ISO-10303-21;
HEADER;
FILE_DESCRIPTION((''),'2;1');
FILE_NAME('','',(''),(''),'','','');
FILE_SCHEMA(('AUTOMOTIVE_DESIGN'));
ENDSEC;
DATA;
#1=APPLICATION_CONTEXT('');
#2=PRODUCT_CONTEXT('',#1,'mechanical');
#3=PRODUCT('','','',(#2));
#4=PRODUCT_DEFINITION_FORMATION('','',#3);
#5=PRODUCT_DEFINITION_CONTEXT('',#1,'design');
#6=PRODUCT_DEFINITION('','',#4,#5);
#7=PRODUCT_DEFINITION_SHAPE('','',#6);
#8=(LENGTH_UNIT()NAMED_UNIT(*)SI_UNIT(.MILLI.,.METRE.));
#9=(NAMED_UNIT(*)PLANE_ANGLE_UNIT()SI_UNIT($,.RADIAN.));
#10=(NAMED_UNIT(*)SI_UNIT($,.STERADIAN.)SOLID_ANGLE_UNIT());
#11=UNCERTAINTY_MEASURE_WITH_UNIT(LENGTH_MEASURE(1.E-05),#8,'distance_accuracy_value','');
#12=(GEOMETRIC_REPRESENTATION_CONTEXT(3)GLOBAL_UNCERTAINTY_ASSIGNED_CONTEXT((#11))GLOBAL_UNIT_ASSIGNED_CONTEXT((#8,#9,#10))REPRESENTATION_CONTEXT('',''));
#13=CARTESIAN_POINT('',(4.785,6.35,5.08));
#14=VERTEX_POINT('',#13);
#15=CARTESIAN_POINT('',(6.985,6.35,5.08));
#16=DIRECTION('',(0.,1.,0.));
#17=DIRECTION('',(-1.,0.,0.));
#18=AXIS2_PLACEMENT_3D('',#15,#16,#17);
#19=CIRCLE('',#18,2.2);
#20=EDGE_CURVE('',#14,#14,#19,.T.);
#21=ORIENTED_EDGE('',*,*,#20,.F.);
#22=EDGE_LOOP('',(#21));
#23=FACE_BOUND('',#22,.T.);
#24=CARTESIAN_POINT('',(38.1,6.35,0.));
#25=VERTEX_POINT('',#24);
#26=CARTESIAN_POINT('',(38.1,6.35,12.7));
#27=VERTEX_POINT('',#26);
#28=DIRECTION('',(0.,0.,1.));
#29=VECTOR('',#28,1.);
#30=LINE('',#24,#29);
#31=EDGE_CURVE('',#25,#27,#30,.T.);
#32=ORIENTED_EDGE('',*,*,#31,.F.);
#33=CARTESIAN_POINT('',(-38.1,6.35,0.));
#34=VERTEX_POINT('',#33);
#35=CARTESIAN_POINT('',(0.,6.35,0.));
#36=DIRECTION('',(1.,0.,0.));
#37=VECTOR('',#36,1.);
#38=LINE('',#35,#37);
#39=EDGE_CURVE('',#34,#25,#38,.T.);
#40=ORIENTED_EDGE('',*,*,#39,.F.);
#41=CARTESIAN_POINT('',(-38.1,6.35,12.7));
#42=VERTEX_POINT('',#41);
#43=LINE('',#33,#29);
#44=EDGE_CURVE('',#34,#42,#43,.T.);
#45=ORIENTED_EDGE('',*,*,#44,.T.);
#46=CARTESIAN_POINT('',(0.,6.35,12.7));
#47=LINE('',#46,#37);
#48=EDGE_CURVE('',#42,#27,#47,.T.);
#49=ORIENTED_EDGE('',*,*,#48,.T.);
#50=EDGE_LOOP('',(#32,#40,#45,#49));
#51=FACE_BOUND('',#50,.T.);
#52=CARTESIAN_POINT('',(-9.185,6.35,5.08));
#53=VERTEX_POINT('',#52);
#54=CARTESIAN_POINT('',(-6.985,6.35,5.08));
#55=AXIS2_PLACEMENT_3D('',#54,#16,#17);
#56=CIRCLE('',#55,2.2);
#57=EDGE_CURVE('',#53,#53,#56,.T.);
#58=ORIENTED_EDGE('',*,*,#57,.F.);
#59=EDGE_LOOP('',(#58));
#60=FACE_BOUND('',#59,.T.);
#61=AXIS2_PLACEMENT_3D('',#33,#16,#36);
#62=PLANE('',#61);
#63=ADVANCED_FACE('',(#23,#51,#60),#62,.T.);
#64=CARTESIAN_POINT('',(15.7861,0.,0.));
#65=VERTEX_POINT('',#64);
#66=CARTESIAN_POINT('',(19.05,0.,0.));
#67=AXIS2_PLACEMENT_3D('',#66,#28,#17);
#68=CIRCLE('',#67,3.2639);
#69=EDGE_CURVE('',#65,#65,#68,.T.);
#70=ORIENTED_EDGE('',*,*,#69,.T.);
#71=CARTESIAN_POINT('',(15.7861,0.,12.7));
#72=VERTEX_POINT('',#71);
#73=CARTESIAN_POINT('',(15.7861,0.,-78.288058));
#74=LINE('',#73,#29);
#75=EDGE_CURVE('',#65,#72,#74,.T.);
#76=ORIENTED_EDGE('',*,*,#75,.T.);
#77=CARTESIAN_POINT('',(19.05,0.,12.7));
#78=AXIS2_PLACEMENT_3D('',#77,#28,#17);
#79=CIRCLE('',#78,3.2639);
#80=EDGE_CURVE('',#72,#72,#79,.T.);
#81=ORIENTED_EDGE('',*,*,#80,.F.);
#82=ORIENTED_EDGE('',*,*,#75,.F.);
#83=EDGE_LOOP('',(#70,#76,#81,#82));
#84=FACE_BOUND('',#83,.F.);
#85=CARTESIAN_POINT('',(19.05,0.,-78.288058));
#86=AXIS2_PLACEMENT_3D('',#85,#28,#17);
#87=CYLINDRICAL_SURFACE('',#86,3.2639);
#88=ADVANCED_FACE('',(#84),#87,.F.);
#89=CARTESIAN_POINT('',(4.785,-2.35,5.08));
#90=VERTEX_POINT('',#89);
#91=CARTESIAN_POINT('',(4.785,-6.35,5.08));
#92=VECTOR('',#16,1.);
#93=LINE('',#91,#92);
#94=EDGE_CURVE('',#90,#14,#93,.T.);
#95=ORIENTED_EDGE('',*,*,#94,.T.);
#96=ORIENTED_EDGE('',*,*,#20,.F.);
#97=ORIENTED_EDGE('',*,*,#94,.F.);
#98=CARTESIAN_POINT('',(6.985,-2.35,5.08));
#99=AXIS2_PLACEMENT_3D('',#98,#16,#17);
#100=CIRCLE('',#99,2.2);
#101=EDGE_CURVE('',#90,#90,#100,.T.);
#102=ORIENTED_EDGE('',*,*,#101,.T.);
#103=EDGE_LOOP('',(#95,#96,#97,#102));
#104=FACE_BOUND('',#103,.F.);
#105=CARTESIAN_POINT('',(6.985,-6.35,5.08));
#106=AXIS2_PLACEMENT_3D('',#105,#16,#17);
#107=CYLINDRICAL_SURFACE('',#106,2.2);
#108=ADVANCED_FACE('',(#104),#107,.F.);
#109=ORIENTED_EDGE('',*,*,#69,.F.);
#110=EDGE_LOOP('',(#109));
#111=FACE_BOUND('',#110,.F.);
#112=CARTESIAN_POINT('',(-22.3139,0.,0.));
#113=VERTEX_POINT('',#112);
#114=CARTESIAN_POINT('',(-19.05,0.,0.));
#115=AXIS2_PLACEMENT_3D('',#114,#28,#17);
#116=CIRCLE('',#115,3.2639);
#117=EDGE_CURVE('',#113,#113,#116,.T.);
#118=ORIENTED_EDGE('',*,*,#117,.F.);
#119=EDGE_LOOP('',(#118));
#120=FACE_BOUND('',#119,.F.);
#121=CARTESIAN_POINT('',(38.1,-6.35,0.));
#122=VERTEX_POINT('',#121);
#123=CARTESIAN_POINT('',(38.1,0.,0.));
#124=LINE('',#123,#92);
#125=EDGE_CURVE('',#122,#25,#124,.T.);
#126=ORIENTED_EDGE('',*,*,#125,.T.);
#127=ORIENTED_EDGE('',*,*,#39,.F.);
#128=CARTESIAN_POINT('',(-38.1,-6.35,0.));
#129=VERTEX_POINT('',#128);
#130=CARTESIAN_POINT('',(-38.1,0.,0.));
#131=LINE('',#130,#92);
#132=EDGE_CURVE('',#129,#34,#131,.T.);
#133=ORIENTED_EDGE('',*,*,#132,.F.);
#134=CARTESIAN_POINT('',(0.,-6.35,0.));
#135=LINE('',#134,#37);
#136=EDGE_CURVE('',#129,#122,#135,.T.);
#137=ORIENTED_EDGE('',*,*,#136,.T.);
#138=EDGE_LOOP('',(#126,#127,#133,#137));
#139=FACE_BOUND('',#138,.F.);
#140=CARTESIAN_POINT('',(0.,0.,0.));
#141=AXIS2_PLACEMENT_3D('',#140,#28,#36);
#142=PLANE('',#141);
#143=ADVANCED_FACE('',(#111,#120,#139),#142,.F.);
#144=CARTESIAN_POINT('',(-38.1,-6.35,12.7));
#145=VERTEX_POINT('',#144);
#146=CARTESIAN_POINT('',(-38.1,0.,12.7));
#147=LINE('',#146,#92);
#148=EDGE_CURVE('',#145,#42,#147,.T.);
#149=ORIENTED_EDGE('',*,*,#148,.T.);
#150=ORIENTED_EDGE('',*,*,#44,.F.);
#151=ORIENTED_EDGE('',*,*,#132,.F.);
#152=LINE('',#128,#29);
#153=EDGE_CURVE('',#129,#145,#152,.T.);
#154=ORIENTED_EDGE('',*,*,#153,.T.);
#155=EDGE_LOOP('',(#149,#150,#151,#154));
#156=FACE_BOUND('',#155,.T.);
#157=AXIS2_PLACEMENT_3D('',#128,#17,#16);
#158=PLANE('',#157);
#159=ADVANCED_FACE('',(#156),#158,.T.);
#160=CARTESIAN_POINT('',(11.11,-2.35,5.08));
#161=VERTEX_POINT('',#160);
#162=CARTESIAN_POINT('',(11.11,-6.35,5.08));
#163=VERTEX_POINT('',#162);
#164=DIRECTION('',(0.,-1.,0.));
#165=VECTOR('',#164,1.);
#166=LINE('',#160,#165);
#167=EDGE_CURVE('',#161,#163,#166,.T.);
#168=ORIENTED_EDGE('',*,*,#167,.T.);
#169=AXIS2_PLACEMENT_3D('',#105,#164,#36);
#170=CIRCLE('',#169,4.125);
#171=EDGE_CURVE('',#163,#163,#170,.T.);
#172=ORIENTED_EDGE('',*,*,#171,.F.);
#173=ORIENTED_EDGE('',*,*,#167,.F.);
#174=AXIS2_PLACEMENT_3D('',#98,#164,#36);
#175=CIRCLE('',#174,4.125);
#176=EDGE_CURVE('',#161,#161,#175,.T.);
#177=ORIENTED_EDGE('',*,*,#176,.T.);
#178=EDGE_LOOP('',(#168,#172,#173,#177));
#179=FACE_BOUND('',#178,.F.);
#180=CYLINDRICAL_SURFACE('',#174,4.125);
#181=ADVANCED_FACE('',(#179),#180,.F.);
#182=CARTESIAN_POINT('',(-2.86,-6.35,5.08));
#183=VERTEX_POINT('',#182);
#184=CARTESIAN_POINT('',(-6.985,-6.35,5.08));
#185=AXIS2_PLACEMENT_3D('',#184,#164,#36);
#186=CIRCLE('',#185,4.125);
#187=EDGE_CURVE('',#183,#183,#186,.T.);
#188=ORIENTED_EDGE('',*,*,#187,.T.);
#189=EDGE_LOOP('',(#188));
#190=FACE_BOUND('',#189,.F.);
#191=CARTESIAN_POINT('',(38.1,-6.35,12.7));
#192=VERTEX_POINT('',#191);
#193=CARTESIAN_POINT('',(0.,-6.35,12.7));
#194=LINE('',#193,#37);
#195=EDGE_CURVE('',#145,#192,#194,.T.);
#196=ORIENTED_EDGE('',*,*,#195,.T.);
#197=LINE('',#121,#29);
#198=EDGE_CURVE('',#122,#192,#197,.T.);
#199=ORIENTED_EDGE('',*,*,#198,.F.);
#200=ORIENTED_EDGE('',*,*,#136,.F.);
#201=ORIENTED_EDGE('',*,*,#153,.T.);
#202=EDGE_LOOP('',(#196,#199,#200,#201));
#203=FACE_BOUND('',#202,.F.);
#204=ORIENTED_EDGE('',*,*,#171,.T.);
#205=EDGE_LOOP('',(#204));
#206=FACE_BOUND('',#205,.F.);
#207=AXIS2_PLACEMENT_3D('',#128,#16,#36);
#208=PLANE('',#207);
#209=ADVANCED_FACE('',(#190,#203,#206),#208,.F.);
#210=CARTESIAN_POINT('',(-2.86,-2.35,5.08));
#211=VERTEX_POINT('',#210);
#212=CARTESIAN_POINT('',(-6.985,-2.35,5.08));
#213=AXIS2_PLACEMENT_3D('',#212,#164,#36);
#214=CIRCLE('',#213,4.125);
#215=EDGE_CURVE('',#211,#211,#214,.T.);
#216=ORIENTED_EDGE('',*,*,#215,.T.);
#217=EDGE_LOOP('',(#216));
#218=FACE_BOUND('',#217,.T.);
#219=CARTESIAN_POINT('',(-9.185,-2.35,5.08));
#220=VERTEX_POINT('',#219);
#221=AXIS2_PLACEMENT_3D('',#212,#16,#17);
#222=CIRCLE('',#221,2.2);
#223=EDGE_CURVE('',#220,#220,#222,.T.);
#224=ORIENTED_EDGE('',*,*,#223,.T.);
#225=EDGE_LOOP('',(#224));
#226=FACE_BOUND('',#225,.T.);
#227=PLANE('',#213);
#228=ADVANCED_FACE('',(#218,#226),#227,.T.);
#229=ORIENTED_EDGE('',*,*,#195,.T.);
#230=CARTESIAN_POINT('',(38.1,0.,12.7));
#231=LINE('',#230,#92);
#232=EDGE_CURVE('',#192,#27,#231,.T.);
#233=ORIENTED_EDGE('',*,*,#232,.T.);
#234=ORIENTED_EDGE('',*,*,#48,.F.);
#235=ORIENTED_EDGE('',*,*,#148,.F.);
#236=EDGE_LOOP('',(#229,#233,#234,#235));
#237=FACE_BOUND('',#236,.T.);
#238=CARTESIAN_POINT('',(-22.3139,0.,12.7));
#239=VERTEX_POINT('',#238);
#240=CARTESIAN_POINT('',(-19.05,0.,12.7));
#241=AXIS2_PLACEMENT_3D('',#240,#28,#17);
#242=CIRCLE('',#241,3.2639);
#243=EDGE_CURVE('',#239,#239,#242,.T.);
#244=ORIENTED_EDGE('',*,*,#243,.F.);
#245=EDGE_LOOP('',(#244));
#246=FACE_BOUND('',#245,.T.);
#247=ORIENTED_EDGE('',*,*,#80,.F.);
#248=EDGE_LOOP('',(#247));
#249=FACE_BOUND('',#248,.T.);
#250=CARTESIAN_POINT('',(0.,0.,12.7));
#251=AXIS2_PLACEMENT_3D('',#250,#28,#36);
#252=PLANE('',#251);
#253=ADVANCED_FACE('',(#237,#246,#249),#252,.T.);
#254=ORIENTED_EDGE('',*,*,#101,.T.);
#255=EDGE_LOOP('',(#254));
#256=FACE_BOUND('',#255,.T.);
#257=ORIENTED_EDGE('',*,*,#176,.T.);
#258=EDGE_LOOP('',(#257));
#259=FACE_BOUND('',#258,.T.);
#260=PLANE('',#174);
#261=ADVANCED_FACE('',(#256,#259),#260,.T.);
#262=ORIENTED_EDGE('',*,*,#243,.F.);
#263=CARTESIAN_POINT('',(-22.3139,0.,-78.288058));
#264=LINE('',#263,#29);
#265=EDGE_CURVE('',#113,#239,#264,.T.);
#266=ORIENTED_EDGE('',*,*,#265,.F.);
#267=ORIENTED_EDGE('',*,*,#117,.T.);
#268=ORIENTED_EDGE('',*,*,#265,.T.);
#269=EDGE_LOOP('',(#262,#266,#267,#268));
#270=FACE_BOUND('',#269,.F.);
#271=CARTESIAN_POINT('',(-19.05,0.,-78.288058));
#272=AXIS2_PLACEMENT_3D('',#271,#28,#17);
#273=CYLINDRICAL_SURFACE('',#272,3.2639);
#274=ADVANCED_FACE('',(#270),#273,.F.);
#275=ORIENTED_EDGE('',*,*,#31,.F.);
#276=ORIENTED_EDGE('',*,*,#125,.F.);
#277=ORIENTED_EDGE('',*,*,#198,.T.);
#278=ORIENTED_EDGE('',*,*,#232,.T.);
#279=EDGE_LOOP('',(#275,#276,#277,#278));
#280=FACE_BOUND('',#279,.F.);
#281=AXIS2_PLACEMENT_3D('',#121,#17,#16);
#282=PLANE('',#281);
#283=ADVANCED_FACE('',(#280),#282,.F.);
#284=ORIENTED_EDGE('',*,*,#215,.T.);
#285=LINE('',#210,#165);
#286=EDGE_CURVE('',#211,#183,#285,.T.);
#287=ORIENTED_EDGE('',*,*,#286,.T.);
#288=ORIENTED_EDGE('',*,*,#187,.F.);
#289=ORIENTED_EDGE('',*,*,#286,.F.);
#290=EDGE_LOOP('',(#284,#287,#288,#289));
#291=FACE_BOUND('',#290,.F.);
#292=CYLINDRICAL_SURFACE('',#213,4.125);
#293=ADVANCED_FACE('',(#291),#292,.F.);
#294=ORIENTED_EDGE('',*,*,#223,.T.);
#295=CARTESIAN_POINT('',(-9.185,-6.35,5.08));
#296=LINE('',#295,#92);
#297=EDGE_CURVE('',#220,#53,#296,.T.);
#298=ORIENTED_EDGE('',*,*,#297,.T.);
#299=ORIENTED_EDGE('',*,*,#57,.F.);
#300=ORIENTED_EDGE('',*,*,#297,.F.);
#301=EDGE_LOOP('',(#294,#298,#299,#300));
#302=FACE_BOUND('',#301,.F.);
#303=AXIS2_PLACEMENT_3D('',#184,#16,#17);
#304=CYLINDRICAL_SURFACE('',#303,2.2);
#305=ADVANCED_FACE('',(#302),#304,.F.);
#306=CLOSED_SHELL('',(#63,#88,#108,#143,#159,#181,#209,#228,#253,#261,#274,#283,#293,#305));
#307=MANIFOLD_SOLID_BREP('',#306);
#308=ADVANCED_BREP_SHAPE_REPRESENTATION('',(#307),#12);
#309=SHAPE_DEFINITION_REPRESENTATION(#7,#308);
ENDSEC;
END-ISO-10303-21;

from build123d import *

# Parameters (mm, degrees)
F0_W           = 76.2
F0_H           = 12.7
F1_DEPTH       = 12.7
F2_D           = 6.5278
F3_D           = 6.5278
F5_D           = 4.4
F5_CBORE_D     = 8.25
F5_CBORE_DEPTH = 4
F6_D           = 4.4
F6_CBORE_D     = 8.25
F6_CBORE_DEPTH = 4


with BuildPart() as f1:
    # F0 (on Top) → F1 (new body)
    with BuildSketch(Plane.XY):
        Rectangle(F0_W, F0_H)
    extrude(amount=F1_DEPTH)

    # F2 (through all)
    with Locations(Plane(origin=(0, 0, 0), x_dir=(1, 0, 0), z_dir=(0, 0, -1))):
        with Locations((-19.05, 0)):
            Hole(F2_D / 2)

    # F3 (through all)
    with Locations(Plane(origin=(0, 0, 0), x_dir=(1, 0, 0), z_dir=(0, 0, -1))):
        with Locations((19.05, 0)):
            Hole(F3_D / 2)

    # F5 (through all)
    with Locations(Plane.XZ.offset(6.35)):
        with Locations((-6.985, 5.08)):
            CounterBoreHole(F5_D / 2, F5_CBORE_D / 2, F5_CBORE_DEPTH)

    # F6 (through all)
    with Locations(Plane.XZ.offset(6.35)):
        with Locations((6.985, 5.08)):
            CounterBoreHole(F6_D / 2, F6_CBORE_D / 2, F6_CBORE_DEPTH)


solid = f1.part
